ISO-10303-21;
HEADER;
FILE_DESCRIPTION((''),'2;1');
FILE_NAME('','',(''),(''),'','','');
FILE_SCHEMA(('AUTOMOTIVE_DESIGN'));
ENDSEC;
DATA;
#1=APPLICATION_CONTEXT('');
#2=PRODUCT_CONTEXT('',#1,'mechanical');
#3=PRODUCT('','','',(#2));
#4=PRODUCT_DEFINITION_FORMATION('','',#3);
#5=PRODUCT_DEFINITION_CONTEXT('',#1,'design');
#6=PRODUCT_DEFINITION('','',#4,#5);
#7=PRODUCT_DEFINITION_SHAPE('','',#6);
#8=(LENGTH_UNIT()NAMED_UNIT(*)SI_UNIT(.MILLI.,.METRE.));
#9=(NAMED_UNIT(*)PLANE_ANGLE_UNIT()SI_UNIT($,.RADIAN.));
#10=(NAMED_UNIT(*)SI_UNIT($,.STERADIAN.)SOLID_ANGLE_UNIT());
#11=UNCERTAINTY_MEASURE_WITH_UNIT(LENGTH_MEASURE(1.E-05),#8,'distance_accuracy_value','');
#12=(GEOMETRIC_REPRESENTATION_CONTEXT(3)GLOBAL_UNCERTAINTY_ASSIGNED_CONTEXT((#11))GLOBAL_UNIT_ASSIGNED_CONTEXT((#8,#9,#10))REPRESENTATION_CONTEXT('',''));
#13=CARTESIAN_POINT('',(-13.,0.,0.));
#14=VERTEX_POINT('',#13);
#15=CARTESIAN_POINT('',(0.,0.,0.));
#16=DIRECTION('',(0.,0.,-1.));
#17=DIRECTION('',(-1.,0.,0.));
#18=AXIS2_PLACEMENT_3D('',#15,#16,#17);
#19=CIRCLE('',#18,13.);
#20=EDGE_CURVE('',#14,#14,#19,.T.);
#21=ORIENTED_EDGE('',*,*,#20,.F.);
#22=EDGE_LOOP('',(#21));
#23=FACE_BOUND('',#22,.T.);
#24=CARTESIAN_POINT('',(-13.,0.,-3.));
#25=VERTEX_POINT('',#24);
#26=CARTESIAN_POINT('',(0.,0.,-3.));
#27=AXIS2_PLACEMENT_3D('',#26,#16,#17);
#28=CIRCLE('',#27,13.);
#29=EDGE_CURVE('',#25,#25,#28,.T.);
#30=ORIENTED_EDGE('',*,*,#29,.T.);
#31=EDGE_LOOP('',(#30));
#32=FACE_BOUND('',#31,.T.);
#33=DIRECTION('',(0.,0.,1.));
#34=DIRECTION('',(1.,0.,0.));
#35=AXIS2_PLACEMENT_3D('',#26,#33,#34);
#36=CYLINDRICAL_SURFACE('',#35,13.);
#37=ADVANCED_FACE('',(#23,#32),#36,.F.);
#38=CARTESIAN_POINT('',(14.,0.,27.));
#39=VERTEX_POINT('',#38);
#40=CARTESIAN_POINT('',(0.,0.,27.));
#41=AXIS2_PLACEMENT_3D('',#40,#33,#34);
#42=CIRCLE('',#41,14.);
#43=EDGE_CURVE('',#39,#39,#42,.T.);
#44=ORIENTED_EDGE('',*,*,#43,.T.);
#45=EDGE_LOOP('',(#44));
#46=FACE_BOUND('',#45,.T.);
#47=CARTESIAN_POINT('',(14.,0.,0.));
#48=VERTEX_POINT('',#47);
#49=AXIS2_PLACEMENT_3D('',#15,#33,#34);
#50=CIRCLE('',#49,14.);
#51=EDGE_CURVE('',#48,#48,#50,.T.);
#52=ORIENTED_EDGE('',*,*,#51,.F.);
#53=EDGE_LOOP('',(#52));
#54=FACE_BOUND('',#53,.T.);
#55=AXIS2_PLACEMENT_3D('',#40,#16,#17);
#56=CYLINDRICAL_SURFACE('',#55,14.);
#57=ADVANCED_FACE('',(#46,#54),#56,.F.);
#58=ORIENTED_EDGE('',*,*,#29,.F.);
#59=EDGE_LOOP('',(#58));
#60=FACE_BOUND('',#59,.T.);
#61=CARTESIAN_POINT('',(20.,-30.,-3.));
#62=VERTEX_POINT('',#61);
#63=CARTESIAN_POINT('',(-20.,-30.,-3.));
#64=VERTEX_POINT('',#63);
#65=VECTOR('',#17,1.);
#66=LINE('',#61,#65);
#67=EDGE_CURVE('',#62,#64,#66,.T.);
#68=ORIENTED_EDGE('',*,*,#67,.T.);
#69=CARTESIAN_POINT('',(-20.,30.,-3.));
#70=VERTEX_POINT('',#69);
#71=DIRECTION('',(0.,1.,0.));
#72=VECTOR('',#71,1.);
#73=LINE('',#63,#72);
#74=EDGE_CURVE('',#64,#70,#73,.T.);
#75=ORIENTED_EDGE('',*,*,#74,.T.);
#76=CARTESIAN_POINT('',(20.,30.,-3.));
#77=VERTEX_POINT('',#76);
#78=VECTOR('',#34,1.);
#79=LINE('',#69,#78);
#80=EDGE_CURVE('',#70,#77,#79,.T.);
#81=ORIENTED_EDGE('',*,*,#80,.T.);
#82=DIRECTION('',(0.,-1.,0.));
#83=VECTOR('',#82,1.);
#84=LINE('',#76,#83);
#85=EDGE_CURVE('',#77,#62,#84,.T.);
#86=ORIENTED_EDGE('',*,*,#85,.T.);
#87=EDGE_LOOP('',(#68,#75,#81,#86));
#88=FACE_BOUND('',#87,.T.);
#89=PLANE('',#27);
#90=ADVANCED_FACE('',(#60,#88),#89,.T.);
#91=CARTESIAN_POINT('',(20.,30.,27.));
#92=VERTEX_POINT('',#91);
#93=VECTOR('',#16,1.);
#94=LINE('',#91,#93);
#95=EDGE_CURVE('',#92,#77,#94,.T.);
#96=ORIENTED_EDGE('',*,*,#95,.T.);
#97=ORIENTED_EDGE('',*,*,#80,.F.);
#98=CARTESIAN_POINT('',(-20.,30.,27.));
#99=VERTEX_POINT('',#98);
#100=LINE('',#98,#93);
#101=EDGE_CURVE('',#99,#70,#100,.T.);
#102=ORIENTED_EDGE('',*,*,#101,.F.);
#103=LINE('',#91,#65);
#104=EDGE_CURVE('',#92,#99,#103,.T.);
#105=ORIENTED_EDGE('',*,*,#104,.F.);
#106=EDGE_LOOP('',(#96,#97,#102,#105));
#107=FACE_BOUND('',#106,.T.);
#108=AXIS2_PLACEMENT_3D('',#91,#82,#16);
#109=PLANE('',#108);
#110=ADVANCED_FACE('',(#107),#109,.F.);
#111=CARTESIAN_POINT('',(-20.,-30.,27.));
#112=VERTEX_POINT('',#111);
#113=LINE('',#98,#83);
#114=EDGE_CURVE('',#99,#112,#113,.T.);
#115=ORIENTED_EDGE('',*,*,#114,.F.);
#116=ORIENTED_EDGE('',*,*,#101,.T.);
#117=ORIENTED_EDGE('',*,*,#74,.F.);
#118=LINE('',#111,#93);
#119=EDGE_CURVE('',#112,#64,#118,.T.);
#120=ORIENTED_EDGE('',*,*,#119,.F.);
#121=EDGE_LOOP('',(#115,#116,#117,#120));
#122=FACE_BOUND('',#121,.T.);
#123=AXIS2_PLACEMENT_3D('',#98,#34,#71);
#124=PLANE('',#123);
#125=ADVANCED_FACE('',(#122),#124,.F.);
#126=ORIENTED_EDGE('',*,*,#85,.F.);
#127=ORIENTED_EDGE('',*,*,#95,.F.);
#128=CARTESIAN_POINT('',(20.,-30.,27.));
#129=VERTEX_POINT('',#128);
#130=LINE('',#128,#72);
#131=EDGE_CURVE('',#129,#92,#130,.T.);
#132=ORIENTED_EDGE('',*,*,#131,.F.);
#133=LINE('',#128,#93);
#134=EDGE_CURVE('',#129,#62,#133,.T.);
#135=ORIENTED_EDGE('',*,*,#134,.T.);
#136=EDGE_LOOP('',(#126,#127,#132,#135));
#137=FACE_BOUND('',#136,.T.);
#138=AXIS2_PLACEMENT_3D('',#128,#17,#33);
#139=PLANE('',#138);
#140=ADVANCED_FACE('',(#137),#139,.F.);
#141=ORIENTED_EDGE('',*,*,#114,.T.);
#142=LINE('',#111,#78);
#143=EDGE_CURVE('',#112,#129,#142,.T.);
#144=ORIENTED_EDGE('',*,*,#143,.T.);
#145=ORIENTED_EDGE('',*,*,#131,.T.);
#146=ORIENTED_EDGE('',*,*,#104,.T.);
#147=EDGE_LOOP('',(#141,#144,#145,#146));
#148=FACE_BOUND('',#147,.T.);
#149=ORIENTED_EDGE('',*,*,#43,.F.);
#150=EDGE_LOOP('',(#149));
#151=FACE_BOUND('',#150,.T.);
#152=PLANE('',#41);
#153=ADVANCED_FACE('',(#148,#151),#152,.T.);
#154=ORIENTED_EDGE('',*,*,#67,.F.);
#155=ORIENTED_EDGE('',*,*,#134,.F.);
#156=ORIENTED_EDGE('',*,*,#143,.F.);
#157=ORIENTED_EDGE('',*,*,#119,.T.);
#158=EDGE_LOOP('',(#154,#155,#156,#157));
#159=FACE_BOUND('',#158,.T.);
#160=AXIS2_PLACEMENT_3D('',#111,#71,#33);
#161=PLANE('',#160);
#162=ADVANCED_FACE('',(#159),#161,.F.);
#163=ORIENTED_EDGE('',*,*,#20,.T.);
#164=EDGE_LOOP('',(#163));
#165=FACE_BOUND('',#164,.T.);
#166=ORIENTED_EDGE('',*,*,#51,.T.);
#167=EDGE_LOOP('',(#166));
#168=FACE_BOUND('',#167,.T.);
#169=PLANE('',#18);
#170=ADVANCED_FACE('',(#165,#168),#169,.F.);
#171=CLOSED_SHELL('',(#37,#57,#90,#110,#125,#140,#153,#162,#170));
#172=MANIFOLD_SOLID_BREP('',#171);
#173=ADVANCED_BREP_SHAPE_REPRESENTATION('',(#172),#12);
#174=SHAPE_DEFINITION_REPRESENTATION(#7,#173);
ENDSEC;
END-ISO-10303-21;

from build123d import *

# Parameters (mm, degrees)
SKETCH1_W           = 40
SKETCH1_H           = 60
SKETCH1_R           = 14
BOSS_EXTRUDE1_DEPTH = 27
SKETCH2_W           = 40
SKETCH2_H           = 60
SKETCH2_R           = 13
BOSS_EXTRUDE2_DEPTH = 3


with BuildPart() as part:
    # Sketch1 → Boss-Extrude1 (new body)
    with BuildSketch(Plane.XY):
        Rectangle(SKETCH1_W, SKETCH1_H)
        Circle(SKETCH1_R, mode=Mode.SUBTRACT)
    extrude(amount=BOSS_EXTRUDE1_DEPTH)

    # Sketch2 → Boss-Extrude2 (add)
    with BuildSketch(Plane(origin=(0, 0, 0), x_dir=(-1, 0, 0), z_dir=(0, 0, -1))):
        Rectangle(SKETCH2_W, SKETCH2_H)
        Circle(SKETCH2_R, mode=Mode.SUBTRACT)
    extrude(amount=BOSS_EXTRUDE2_DEPTH)


solid = part.part
